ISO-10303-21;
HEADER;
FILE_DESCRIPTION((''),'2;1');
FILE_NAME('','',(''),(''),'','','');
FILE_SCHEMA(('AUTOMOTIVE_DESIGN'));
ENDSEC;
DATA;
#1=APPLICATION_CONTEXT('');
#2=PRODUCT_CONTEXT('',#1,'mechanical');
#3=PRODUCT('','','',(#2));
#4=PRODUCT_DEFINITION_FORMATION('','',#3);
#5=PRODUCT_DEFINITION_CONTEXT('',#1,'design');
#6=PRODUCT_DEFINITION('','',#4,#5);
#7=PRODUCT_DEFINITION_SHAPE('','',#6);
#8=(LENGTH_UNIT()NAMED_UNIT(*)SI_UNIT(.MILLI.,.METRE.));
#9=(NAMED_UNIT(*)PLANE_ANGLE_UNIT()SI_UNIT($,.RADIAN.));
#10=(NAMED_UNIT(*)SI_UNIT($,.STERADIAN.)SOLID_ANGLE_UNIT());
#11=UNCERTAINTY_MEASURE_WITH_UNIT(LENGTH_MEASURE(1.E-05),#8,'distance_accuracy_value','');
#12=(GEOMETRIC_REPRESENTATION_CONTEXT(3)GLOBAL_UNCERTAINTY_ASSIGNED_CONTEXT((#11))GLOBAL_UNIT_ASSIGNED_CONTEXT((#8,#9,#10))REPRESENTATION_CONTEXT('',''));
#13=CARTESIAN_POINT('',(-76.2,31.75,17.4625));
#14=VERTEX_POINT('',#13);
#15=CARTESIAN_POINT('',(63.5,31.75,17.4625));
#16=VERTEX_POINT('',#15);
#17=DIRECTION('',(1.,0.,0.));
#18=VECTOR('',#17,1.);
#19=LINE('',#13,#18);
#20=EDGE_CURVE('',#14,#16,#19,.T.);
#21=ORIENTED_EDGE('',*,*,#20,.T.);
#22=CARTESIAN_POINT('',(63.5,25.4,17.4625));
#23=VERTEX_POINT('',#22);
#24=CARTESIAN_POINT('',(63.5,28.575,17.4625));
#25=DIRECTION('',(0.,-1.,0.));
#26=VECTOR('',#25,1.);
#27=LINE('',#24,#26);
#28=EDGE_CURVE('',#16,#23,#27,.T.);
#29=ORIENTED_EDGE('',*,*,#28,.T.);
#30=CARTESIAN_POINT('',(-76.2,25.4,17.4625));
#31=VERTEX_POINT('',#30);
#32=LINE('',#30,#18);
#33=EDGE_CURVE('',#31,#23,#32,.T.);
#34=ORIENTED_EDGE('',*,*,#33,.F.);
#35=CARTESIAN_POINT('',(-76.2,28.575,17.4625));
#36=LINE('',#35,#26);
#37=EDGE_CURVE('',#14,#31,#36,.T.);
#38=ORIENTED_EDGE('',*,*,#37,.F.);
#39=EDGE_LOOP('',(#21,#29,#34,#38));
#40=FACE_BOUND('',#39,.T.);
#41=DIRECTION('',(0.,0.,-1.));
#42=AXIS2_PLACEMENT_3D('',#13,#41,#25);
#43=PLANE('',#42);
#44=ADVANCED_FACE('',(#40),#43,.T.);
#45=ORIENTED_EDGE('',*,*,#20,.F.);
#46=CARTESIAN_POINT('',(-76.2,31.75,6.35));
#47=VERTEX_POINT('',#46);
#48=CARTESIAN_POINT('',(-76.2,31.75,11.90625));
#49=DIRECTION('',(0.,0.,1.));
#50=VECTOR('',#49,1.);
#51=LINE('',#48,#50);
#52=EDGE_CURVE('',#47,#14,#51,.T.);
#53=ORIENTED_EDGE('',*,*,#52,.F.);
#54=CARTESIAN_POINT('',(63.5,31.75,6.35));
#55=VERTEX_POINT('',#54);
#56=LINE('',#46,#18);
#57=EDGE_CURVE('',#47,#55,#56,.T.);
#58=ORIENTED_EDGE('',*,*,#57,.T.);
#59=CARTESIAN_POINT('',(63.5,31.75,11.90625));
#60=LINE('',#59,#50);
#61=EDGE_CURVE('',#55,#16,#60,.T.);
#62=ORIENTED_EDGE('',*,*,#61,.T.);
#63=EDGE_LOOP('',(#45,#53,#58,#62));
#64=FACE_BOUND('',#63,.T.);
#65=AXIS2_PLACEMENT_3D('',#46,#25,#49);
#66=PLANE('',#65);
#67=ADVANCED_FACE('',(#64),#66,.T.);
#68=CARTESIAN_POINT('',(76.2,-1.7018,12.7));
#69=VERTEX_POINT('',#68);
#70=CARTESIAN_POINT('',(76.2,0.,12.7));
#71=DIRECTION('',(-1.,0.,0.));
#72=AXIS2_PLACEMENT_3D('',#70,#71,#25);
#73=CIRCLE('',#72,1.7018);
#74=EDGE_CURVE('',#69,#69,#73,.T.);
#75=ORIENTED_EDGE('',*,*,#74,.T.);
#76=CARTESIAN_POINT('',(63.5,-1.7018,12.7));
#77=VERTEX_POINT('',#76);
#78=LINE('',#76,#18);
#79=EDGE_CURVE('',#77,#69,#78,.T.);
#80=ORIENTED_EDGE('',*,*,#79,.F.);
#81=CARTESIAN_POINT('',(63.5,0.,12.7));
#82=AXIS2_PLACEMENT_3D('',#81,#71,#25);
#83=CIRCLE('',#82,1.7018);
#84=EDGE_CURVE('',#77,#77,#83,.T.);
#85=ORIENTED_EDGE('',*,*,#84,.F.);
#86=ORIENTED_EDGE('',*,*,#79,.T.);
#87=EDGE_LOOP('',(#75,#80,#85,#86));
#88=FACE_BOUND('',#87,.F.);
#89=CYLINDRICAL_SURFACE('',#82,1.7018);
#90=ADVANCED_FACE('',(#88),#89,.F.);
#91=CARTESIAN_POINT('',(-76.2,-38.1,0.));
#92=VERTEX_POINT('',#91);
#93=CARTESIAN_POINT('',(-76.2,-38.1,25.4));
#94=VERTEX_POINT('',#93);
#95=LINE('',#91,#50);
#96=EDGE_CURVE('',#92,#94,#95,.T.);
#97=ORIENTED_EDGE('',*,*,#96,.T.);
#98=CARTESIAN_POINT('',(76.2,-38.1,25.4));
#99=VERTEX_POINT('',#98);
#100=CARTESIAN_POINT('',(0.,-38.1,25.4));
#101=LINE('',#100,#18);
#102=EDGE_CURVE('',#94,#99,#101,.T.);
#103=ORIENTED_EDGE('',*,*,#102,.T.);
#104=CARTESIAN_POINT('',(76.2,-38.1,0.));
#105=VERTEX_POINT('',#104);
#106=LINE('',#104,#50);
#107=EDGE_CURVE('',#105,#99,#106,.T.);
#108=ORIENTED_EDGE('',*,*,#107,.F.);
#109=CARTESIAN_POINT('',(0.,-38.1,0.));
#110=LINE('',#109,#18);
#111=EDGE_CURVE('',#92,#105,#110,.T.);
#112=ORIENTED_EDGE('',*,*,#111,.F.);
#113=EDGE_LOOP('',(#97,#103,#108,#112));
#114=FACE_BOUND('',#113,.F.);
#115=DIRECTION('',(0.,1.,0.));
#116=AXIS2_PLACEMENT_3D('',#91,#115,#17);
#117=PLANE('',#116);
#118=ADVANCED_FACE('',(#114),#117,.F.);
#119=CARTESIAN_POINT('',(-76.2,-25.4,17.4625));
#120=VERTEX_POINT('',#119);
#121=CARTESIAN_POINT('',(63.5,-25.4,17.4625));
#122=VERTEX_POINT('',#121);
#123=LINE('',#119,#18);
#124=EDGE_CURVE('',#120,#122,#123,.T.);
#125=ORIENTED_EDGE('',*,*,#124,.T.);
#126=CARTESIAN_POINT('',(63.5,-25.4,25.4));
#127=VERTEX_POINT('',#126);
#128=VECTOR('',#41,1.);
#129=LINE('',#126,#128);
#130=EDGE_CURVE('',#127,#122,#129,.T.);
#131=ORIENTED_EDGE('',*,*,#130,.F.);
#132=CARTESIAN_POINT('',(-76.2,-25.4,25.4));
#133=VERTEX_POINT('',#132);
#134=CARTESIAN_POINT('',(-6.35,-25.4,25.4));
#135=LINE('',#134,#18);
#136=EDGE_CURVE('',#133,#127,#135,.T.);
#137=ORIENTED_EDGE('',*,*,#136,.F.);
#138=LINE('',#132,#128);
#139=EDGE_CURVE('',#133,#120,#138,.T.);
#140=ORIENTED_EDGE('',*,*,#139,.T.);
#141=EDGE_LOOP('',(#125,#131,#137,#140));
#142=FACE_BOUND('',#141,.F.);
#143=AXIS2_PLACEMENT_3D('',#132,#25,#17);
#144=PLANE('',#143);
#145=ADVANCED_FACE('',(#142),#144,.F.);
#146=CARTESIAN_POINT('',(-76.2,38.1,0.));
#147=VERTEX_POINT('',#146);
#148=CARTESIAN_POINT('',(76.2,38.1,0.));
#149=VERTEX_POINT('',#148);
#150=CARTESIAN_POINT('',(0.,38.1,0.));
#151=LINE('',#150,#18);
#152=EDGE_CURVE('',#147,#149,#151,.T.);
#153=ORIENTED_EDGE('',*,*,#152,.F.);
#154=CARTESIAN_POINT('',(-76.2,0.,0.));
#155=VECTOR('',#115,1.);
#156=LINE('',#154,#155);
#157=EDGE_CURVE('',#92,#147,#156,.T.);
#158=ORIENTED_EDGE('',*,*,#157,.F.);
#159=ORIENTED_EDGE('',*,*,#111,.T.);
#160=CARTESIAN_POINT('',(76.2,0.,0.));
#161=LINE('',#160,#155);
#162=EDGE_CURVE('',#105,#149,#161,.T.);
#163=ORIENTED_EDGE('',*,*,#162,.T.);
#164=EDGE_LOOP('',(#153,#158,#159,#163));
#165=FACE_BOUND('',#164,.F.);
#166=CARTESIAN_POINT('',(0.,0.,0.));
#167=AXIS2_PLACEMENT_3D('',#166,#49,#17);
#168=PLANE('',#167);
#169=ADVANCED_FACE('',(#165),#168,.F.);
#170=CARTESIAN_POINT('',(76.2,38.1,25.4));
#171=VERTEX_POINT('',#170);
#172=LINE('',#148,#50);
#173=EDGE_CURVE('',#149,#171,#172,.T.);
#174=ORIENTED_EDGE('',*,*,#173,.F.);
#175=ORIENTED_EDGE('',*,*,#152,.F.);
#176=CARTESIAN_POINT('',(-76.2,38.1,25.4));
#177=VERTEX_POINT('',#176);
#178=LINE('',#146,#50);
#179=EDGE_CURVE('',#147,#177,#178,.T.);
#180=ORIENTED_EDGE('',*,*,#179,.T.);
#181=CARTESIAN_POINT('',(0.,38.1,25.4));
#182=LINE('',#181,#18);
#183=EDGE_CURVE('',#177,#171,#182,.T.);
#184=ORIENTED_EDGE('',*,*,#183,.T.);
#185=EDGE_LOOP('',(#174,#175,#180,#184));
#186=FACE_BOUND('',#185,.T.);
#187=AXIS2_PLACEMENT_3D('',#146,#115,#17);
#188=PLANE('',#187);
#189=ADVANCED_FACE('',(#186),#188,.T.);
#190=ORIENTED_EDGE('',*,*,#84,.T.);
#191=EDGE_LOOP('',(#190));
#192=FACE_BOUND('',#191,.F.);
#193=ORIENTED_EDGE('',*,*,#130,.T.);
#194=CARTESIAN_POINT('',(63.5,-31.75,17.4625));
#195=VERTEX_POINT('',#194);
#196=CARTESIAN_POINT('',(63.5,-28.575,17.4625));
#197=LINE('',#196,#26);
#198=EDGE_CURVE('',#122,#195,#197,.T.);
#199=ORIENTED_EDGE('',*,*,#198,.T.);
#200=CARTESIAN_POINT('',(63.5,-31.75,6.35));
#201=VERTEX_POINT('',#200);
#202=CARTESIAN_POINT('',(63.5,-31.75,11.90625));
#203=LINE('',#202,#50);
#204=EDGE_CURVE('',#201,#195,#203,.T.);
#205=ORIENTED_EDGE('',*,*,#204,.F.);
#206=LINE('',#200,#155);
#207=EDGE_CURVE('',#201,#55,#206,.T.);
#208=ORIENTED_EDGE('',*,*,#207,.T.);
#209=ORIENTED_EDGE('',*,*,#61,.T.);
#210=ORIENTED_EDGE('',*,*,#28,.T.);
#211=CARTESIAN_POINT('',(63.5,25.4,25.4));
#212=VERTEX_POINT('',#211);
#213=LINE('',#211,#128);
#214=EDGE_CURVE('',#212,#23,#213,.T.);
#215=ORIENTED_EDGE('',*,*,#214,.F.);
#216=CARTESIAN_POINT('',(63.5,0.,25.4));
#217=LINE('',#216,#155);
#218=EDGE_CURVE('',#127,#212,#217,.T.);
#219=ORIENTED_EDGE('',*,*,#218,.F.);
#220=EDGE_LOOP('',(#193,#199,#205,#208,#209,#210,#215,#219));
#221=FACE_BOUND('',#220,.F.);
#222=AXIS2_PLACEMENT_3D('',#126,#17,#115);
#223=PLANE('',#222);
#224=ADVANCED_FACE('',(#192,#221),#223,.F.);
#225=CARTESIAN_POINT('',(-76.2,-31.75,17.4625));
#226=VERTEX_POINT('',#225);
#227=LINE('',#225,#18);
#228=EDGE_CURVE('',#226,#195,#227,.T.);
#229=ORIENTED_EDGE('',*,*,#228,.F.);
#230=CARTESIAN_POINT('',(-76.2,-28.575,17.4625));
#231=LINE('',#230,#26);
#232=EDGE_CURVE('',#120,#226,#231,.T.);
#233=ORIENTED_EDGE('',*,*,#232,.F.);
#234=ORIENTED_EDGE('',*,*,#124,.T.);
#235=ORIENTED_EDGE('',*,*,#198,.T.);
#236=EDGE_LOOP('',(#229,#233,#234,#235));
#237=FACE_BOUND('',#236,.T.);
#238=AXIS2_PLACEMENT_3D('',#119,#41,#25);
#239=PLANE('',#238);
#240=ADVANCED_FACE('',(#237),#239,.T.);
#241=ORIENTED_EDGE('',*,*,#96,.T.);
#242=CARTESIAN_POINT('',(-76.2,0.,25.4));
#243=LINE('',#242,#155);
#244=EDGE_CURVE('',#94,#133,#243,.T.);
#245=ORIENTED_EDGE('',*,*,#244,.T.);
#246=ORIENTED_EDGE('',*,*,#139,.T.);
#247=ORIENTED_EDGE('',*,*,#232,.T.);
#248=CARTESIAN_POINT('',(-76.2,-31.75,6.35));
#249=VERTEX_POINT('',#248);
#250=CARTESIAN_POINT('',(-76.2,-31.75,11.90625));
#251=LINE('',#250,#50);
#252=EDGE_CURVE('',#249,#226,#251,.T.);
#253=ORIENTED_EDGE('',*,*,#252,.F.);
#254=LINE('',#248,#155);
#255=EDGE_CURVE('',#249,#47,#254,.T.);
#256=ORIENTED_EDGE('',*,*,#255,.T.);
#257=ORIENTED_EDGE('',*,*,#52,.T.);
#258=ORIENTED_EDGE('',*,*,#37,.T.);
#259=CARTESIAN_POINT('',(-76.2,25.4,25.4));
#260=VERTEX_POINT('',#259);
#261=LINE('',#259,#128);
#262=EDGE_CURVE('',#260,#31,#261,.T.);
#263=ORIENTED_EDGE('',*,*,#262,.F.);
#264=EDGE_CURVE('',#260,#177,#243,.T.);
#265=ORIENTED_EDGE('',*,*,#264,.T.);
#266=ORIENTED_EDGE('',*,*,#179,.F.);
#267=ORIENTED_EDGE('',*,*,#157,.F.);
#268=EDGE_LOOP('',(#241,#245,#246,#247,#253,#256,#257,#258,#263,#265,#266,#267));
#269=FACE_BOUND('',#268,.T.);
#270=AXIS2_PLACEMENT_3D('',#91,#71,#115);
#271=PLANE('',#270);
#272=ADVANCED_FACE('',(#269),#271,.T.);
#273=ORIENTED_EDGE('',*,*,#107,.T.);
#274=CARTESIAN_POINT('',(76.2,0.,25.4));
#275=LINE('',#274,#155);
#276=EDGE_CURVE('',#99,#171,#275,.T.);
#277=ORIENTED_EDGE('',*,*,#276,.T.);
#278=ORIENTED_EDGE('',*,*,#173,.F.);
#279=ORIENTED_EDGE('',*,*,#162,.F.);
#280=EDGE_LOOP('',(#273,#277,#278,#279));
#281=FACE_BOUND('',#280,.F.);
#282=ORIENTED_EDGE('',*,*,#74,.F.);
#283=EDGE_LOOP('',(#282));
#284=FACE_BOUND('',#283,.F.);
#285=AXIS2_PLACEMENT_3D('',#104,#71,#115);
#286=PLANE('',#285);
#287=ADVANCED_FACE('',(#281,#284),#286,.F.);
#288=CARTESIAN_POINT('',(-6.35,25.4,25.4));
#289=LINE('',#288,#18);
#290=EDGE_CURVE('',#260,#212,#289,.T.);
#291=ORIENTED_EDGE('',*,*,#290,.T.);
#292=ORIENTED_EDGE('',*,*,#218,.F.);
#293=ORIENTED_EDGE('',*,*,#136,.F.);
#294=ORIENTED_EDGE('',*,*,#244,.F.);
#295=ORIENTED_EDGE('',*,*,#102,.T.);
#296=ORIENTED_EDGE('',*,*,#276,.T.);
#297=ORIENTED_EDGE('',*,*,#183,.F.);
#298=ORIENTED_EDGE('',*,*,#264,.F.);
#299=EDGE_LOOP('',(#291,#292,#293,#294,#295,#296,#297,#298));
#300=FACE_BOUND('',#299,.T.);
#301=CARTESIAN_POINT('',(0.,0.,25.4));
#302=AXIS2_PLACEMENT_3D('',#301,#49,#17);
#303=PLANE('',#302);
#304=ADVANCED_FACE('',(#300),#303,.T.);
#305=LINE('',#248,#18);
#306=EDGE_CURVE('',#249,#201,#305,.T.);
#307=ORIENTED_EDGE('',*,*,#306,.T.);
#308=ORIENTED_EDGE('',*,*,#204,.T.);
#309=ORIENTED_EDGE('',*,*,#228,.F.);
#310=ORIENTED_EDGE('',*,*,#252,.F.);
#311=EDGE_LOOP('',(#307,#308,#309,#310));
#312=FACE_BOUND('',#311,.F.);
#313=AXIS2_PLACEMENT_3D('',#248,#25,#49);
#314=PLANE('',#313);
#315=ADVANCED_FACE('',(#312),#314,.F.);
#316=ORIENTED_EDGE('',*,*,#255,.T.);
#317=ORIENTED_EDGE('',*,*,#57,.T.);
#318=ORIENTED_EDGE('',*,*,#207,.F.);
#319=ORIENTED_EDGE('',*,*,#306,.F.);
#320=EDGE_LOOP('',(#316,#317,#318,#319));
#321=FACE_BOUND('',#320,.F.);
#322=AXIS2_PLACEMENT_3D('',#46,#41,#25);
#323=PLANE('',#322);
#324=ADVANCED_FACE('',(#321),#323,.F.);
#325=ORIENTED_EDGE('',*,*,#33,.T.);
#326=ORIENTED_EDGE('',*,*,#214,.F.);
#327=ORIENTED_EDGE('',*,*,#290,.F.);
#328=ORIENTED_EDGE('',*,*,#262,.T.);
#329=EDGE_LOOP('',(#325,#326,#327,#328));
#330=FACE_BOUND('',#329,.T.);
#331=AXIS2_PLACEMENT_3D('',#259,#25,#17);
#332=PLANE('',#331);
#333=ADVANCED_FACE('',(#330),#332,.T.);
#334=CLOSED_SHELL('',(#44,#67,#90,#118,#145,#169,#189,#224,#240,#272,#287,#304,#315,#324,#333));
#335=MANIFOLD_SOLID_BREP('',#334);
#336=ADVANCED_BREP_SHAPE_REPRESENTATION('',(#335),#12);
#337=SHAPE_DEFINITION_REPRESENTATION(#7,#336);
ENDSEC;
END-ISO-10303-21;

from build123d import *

# Parameters (mm, degrees)
F0_W     = 152.4
F0_H     = 76.2
F1_DEPTH = 25.4
F2_W     = 139.7
F2_H     = 50.8
F3_DEPTH = 19.05
F4_W     = 6.35
F4_H     = 11.1125
F5_DEPTH = 139.7
F6_R     = 1.7018
F7_DEPTH = 12.7


with BuildPart() as f1:
    # F0 (on Top) → F1 (new body)
    with BuildSketch(Plane.XY):
        Rectangle(F0_W, F0_H)
    extrude(amount=F1_DEPTH)

    # F2 (on face) → F3 (cut)
    with BuildSketch(Plane.XY.offset(25.4)):
        with Locations((-6.35, 0)):
            Rectangle(F2_W, F2_H)
    extrude(amount=-F3_DEPTH, mode=Mode.SUBTRACT)

    # F4 (on face) → F5 (cut)
    with BuildSketch(Plane(origin=(-76.2, 0, 0), x_dir=(0, -1, 0), z_dir=(-1, 0, 0))):
        with Locations((-28.575, 11.90625)):
            Rectangle(F4_W, F4_H)
        with Locations((28.575, 11.90625)):
            Rectangle(F4_W, F4_H)
    extrude(amount=-F5_DEPTH, mode=Mode.SUBTRACT)

    # F6 (on face) → F7 (cut)
    with BuildSketch(Plane(origin=(63.5, 0, 0), x_dir=(0, -1, 0), z_dir=(-1, 0, 0))):
        with Locations((0, 12.7)):
            Circle(F6_R)
    extrude(amount=-F7_DEPTH, mode=Mode.SUBTRACT)


solid = f1.part
